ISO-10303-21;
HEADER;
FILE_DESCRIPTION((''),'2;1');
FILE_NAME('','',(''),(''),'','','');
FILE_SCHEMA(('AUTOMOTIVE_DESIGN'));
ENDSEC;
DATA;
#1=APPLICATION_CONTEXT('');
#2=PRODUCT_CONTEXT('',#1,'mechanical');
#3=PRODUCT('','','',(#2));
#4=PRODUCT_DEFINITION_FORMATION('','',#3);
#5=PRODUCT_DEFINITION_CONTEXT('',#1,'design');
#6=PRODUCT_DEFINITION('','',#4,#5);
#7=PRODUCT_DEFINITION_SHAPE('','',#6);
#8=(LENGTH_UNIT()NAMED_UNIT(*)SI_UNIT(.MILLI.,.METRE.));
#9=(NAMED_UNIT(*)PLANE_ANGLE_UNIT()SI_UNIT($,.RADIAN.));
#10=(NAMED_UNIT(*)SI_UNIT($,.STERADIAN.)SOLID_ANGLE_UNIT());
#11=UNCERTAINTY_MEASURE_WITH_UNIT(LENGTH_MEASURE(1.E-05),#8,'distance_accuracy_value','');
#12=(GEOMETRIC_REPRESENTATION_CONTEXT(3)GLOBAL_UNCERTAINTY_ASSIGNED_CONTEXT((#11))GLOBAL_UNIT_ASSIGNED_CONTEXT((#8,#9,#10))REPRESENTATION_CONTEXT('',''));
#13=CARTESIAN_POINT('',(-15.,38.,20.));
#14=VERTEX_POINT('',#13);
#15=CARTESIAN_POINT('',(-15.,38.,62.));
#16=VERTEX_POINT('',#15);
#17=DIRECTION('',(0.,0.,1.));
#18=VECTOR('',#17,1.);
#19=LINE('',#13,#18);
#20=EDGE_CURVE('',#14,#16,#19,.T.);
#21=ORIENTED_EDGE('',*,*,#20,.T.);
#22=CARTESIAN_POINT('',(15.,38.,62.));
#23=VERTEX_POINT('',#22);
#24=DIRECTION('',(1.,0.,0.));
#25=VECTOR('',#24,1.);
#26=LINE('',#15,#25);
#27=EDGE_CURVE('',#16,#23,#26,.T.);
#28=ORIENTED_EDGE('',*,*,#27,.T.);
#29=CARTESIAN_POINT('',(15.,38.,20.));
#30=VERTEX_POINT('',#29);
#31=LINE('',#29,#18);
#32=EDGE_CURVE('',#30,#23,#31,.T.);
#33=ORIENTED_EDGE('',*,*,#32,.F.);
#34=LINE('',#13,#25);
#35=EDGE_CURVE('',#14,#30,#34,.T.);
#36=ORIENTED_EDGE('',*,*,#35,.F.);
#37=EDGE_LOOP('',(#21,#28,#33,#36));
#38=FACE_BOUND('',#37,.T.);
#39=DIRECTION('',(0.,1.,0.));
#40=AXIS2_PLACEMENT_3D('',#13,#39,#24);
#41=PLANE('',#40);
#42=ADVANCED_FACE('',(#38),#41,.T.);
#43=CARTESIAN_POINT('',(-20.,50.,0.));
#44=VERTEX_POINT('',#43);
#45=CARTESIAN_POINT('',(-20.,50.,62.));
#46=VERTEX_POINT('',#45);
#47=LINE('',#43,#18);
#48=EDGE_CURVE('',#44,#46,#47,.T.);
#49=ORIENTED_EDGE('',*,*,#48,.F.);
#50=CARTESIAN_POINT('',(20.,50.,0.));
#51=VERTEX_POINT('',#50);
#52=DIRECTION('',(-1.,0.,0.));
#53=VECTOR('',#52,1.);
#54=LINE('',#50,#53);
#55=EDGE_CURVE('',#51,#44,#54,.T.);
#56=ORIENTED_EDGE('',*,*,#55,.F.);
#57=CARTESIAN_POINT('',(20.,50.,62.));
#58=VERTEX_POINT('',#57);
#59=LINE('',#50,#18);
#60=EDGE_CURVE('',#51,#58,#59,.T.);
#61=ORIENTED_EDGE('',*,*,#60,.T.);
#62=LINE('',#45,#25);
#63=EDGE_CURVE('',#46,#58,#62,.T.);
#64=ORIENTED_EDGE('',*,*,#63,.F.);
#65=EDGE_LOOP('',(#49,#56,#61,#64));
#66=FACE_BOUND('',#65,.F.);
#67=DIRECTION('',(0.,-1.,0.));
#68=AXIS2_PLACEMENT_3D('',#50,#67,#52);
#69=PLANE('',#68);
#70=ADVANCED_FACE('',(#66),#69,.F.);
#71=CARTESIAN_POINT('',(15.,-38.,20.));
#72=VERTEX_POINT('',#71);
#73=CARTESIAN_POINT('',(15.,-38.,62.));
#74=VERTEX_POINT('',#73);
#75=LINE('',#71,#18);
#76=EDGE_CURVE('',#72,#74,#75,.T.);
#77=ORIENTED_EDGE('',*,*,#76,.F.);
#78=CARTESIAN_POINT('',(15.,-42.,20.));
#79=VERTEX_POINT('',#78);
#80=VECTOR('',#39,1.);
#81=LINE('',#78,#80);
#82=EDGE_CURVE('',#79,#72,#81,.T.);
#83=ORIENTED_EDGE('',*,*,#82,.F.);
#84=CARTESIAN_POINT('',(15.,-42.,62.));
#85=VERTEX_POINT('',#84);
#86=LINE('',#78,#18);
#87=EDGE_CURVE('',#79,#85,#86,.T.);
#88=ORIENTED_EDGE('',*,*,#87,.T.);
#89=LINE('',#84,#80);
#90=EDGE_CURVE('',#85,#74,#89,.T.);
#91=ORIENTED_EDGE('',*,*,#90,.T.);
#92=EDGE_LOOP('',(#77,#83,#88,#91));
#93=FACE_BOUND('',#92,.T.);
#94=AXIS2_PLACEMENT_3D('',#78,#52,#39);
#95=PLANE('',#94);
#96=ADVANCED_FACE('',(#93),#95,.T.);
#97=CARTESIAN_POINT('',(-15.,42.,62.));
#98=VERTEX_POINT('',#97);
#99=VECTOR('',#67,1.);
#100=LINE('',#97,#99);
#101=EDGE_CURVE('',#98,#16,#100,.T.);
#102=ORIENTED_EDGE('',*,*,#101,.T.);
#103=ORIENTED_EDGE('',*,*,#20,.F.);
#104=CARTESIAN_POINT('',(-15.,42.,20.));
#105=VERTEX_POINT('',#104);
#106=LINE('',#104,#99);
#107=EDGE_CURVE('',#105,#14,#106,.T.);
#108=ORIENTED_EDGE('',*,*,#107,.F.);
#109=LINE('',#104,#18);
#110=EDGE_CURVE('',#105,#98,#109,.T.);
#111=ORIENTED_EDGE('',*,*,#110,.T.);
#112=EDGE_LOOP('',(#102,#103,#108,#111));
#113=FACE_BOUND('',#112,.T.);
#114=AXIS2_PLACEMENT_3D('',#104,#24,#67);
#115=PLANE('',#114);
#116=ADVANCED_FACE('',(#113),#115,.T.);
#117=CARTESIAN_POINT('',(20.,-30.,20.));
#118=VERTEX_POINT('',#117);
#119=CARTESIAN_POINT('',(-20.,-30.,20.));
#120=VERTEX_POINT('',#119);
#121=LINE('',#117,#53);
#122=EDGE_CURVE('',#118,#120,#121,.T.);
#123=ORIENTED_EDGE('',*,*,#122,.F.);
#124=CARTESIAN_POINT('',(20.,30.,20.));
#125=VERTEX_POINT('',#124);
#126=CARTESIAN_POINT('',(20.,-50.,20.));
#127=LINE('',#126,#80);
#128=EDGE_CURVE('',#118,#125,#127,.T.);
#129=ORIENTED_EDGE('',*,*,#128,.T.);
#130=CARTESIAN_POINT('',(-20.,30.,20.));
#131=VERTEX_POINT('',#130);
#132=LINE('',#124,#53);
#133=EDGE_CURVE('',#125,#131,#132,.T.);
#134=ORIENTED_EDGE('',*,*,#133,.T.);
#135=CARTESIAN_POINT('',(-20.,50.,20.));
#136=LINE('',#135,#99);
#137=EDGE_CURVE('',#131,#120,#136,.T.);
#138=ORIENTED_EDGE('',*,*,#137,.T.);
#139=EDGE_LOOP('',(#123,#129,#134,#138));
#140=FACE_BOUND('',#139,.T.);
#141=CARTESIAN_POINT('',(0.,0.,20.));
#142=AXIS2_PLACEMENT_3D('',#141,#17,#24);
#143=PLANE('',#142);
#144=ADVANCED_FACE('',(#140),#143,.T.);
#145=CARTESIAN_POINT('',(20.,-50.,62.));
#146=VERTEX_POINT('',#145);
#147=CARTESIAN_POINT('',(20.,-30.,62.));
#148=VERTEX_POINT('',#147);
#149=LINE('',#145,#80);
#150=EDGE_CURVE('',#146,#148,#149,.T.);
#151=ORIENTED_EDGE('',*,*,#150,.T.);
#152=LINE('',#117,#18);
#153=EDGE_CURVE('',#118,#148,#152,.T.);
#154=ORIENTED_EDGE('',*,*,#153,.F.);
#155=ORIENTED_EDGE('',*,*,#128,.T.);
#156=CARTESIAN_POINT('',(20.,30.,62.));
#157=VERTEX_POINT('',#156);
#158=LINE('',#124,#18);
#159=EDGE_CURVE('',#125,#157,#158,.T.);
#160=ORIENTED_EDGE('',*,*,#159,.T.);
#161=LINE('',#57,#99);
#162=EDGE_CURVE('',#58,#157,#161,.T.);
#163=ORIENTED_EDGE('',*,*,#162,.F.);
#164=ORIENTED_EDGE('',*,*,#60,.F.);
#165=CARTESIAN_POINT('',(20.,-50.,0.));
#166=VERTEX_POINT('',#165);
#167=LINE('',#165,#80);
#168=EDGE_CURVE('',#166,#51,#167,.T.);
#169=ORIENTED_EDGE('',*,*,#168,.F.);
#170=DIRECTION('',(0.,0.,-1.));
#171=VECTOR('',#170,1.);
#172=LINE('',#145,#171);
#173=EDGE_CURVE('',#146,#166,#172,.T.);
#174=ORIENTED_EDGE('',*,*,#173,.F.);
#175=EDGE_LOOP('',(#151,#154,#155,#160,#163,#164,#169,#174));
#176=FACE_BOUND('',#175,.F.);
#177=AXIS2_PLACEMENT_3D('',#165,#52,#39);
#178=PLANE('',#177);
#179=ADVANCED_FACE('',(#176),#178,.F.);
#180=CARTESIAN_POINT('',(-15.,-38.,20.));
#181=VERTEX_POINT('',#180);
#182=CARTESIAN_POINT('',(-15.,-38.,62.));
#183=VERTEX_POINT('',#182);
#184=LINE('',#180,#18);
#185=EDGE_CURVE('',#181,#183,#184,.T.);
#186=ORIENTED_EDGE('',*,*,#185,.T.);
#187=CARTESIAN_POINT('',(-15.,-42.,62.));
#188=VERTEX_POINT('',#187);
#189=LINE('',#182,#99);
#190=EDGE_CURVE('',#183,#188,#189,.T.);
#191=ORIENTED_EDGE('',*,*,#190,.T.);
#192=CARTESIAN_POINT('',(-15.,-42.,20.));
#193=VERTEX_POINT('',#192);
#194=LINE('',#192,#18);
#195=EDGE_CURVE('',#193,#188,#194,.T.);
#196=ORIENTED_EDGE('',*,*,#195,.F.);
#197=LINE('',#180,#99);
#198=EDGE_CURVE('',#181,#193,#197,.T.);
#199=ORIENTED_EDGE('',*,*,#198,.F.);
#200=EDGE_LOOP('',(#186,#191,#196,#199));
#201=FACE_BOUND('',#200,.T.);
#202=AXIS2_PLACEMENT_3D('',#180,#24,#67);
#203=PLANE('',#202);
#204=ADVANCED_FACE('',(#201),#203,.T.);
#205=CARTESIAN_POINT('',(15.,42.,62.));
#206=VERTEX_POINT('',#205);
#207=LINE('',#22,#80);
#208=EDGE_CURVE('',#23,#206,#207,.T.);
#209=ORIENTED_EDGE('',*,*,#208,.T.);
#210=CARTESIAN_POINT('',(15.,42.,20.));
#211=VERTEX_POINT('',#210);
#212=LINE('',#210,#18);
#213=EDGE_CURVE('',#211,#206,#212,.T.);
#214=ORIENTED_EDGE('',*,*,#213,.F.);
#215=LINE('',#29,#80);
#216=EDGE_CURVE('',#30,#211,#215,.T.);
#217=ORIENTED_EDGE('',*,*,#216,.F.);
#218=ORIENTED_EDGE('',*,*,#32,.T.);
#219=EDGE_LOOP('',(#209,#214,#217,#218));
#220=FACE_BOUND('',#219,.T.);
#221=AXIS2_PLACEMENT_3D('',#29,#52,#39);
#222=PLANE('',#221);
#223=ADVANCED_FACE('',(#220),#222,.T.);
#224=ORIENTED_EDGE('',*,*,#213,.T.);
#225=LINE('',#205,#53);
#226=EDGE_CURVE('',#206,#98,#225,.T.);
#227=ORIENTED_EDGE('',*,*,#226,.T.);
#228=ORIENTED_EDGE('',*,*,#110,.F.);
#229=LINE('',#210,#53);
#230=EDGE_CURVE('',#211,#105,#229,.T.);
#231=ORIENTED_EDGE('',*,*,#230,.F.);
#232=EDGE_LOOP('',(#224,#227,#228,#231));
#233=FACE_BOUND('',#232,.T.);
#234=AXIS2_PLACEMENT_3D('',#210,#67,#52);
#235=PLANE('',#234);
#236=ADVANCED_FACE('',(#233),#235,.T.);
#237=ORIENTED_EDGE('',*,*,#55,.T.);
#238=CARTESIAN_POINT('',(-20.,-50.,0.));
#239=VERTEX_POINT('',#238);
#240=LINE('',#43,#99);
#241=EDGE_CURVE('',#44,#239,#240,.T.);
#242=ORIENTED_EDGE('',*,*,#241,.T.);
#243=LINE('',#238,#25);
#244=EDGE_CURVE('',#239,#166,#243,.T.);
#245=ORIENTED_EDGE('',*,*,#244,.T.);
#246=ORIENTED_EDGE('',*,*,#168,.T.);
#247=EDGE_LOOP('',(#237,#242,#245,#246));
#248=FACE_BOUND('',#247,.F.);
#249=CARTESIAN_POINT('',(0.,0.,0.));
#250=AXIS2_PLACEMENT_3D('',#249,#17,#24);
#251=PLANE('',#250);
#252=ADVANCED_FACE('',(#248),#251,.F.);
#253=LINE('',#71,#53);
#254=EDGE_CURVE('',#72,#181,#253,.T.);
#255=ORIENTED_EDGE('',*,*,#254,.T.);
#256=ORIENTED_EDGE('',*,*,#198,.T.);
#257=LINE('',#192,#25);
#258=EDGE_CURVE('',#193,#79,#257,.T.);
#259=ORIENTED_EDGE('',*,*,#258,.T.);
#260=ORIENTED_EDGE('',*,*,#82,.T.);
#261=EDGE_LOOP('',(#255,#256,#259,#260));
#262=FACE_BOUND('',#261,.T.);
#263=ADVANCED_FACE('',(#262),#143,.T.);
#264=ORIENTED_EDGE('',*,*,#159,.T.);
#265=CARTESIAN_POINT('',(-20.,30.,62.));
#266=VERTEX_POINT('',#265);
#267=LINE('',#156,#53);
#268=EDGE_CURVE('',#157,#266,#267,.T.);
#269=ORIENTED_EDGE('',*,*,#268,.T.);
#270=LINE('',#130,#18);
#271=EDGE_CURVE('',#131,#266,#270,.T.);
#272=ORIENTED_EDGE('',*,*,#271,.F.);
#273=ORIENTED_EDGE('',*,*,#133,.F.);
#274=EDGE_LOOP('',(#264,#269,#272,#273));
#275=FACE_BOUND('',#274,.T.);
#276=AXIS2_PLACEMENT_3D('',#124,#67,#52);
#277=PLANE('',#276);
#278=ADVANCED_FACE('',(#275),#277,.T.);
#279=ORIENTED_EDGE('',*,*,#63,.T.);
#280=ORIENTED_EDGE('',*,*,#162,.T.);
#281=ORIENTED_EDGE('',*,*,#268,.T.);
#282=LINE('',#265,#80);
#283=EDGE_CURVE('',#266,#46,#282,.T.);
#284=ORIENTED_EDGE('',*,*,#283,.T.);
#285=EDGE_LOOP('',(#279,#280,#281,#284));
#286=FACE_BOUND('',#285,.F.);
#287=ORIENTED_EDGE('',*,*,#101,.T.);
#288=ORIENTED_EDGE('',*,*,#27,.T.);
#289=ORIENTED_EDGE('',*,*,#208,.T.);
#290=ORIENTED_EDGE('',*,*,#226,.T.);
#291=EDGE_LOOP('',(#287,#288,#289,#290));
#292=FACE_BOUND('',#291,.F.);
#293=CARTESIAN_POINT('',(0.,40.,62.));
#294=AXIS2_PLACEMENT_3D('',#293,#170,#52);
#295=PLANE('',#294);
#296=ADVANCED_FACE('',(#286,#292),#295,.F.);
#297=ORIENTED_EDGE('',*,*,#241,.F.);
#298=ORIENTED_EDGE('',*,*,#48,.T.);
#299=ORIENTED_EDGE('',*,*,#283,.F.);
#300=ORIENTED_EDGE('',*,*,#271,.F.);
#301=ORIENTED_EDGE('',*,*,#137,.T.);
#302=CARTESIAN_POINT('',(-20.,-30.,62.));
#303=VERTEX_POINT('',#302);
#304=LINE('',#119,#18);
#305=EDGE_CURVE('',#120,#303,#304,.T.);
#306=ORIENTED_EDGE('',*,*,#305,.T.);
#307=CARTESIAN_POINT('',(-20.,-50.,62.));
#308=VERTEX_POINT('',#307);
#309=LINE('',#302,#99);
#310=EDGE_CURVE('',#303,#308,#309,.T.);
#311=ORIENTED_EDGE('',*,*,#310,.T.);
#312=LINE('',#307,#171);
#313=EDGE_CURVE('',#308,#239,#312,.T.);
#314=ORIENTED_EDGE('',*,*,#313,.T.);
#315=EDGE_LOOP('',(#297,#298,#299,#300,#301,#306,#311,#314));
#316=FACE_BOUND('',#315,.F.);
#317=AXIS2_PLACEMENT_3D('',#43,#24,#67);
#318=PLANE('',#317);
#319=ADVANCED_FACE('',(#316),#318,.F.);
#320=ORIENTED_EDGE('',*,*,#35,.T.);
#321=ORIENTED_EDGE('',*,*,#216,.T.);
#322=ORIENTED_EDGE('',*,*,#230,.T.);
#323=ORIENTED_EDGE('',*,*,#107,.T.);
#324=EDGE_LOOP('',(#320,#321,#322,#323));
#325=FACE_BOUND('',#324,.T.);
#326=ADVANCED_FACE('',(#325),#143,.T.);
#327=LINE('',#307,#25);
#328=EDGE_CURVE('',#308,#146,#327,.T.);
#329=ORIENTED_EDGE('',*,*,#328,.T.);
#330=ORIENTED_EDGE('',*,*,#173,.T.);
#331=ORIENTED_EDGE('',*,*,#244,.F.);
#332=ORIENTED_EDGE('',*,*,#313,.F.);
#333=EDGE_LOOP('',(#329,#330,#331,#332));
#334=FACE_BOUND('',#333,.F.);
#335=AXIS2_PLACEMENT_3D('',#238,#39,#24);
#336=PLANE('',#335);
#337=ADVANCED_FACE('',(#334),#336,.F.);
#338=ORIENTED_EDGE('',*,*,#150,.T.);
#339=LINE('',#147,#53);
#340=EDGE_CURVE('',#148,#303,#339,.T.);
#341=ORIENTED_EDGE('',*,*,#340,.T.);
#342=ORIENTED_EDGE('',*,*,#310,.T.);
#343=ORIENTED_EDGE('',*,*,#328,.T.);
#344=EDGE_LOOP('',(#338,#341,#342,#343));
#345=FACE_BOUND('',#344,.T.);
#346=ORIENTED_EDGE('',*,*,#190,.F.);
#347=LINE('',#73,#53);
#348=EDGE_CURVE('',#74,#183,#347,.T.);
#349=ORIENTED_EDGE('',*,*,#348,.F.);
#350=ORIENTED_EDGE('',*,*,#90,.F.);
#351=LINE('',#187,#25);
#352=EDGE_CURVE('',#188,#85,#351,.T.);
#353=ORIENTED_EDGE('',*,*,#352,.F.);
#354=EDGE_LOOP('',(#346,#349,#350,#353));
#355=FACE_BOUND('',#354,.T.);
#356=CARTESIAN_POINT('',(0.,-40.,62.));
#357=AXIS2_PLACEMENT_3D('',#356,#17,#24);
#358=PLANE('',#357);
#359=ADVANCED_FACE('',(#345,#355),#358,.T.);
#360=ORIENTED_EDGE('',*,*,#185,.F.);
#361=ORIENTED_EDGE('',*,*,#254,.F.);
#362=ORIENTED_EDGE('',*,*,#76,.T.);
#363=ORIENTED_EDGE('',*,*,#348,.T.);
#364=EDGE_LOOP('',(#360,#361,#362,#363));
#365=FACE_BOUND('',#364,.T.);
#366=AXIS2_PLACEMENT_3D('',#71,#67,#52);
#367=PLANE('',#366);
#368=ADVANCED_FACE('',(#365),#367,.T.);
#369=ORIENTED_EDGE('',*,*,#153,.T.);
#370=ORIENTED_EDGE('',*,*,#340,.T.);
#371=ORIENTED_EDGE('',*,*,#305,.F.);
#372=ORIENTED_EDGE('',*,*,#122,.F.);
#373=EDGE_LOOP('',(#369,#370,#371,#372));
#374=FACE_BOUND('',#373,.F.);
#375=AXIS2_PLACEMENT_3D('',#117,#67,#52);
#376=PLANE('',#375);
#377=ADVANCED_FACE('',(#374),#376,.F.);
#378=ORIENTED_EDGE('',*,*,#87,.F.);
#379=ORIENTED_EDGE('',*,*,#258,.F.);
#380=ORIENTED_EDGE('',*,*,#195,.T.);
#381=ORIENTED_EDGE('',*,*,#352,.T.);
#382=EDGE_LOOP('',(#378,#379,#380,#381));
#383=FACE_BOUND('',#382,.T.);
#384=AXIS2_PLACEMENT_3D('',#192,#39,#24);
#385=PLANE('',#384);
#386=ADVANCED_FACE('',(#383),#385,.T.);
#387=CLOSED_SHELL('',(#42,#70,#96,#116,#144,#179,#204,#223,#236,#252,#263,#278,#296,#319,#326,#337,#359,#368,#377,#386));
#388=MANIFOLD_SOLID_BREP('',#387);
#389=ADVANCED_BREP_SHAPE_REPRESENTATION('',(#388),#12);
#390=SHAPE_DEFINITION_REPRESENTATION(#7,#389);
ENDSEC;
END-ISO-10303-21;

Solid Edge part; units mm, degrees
sketch "Sketch1" plane through (0, 0, 0) normal (0, 0, 1) x (1, 0, 0)
  line L0 (20, -50) -> (20, 50)
  line L1 (20, 50) -> (-20, 50)
  line L2 (-20, 50) -> (-20, -50)
  line L3 (-20, -50) -> (20, -50)
extrude "Protrusion1" add sketch "Sketch1" along normal blind 20
sketch "Sketch2" plane through (0, 0, 20) normal (0, 0, 1) x (1, 0, 0)
  line L0 (15, -38) -> (-15, -38)
  line L1 (-15, -38) -> (-15, -42)
  line L2 (-15, -42) -> (15, -42)
  line L3 (15, -42) -> (15, -38)
  line L4 (20, 30) -> (-20, 30)
  line L5 (-20, 30) -> (-20, 50)
  line L6 (-20, 50) -> (20, 50)
  line L7 (20, 50) -> (20, 30)
  line L8 (-15, 42) -> (-15, 38)
  line L9 (-15, 38) -> (15, 38)
  line L10 (15, 38) -> (15, 42)
  line L11 (15, 42) -> (-15, 42)
  line L12 (20, -50) -> (20, -30)
  line L13 (20, -30) -> (-20, -30)
  line L14 (-20, -30) -> (-20, -50)
  line L15 (-20, -50) -> (20, -50)
extrude "Protrusion2" add sketch "Sketch2" along normal blind 42
